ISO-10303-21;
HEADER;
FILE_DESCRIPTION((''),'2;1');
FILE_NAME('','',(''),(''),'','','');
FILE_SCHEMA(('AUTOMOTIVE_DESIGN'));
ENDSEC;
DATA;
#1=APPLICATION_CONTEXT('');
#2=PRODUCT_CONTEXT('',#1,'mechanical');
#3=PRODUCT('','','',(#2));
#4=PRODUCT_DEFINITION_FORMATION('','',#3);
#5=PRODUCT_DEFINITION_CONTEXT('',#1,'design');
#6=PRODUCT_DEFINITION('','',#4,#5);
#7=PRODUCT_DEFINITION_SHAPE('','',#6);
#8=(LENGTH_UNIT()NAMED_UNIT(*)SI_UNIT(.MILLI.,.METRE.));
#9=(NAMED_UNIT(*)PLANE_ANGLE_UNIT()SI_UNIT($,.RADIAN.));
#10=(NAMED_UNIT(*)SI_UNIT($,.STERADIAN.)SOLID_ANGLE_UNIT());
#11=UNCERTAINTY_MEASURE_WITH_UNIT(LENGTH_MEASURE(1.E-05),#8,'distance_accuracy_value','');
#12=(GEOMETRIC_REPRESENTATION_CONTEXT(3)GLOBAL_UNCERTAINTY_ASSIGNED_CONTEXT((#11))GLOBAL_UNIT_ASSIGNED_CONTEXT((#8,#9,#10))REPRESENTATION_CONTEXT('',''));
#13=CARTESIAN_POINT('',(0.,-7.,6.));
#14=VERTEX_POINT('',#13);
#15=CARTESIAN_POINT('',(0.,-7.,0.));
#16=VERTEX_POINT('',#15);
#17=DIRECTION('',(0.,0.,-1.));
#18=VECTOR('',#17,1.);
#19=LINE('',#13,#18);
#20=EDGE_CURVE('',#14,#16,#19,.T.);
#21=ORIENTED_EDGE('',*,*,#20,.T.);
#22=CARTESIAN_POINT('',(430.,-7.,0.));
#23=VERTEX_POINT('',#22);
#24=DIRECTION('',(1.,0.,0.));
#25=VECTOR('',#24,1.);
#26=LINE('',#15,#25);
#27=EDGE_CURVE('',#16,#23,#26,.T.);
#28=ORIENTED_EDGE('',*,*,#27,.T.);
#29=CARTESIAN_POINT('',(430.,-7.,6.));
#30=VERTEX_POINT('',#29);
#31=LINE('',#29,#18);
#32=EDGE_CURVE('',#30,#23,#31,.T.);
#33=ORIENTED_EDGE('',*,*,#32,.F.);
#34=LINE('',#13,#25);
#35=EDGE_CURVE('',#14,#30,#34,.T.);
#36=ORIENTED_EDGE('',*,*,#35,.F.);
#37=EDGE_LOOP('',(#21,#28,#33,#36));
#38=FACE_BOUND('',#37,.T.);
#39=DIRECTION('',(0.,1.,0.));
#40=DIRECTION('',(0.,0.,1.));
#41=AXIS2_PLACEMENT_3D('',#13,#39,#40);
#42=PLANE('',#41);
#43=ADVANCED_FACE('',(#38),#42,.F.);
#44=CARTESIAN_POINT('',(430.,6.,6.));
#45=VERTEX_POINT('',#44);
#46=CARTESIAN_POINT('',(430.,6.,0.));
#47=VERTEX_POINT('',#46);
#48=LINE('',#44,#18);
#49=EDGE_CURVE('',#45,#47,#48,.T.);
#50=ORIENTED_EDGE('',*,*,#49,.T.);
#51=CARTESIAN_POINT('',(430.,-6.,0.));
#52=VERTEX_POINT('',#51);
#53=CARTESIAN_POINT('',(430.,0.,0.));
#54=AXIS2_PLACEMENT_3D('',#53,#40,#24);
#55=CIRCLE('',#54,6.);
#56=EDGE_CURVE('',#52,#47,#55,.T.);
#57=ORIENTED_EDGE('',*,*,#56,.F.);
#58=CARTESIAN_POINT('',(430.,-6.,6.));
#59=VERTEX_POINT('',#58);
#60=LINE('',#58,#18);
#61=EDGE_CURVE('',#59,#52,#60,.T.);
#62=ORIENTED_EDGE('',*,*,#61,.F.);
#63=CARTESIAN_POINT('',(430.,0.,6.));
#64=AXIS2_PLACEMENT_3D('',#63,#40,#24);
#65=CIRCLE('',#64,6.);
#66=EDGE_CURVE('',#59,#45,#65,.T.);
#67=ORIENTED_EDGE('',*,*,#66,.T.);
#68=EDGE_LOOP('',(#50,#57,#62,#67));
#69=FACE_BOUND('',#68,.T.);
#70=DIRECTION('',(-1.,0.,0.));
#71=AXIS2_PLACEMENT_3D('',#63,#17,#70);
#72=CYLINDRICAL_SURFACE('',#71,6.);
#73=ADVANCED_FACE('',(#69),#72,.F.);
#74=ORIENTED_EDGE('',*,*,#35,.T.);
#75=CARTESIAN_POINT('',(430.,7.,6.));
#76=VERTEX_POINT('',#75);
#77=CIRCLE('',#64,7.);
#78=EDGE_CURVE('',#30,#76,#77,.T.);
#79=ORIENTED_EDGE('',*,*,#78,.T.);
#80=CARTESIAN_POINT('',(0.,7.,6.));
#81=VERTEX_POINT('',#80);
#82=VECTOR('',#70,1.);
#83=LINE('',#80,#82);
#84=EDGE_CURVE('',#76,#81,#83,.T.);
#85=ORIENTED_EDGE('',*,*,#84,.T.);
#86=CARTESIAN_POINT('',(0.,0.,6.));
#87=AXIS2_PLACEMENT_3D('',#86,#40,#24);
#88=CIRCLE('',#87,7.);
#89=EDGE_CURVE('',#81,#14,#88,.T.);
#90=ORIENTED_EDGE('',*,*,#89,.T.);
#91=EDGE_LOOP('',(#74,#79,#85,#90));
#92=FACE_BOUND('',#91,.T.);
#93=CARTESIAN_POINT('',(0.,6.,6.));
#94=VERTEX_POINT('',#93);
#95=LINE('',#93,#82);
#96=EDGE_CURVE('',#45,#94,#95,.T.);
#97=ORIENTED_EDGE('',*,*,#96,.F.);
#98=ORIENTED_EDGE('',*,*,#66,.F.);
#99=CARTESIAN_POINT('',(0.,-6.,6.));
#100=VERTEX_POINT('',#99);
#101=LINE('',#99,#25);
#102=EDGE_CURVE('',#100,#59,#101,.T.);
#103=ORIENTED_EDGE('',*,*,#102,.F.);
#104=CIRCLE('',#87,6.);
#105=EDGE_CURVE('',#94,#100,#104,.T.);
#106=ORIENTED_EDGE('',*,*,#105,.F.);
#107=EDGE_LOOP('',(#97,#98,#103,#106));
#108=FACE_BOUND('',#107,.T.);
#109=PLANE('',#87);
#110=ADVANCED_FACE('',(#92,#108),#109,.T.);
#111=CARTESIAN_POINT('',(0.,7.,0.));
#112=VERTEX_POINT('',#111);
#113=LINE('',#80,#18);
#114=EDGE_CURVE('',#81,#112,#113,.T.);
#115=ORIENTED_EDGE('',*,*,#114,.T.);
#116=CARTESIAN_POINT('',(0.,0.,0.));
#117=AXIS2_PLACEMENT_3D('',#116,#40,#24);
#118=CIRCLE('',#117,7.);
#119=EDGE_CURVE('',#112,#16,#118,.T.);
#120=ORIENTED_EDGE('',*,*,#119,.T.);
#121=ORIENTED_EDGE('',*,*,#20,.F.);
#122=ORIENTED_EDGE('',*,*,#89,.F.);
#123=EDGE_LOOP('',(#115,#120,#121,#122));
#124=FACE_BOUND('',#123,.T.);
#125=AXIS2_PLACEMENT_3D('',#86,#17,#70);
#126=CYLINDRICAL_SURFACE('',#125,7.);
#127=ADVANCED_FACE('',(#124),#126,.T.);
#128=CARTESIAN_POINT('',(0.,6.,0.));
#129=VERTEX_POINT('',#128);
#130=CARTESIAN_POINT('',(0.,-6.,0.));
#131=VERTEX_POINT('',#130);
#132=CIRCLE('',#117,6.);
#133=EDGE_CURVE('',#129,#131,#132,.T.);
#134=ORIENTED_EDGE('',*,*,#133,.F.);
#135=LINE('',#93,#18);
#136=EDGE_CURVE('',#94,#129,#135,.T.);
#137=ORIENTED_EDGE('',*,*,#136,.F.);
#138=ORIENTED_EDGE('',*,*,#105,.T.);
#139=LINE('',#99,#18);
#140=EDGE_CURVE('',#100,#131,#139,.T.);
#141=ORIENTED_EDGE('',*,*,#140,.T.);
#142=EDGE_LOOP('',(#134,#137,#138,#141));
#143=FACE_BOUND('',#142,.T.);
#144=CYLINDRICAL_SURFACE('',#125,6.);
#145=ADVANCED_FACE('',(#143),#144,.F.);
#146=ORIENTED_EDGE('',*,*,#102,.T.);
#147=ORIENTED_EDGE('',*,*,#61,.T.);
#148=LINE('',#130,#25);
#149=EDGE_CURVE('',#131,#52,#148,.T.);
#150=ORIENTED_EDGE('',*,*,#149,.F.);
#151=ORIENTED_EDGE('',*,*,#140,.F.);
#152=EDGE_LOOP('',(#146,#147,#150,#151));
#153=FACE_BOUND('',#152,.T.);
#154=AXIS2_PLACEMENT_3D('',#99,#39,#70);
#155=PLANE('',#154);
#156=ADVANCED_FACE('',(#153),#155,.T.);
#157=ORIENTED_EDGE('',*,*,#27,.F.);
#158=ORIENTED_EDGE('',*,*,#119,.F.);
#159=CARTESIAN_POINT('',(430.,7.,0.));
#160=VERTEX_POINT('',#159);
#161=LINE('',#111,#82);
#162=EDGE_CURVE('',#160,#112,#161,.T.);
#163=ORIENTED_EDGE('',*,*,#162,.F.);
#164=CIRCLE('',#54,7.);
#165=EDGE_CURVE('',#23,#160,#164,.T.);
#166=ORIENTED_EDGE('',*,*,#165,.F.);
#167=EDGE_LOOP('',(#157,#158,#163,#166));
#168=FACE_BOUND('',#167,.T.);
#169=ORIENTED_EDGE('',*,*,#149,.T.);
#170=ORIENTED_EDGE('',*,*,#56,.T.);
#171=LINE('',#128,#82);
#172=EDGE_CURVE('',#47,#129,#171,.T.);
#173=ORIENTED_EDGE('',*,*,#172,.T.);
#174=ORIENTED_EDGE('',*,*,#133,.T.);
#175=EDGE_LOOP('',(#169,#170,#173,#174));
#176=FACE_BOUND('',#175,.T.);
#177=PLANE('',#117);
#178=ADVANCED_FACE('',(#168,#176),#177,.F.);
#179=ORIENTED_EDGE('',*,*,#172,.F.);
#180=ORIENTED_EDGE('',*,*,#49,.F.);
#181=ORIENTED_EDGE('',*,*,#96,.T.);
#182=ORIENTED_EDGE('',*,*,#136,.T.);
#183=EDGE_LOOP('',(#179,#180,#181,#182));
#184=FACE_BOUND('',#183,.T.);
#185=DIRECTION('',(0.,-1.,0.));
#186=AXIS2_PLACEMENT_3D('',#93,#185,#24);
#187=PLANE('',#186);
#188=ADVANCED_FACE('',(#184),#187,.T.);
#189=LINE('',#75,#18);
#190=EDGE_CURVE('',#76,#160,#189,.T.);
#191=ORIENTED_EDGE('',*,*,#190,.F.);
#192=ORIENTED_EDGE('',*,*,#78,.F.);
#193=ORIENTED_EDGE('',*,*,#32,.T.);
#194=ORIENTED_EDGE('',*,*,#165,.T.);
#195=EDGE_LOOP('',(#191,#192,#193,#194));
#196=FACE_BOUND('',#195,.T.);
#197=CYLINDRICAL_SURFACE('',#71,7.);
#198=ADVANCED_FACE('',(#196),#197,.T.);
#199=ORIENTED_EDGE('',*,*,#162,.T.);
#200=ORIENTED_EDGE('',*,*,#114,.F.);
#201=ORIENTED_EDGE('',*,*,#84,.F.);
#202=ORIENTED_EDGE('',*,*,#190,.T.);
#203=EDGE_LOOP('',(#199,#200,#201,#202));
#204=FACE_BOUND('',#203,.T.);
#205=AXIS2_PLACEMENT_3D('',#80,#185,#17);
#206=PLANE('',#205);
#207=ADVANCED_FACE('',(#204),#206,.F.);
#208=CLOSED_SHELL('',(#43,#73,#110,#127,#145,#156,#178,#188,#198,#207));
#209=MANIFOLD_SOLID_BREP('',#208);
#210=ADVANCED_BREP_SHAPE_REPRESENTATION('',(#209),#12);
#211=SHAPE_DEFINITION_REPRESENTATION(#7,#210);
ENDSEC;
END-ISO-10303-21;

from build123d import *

# Parameters (mm, degrees)
BOSS_EXTRUDE1_DEPTH = 6


with BuildPart() as part:
    # Sketch1 → Boss-Extrude1 (new body)
    with BuildSketch(Plane.XY):
        with BuildLine():
            Line((0, 7), (430, 7))
            ThreePointArc((430, 7), (437, 0), (430, -7))
            Line((430, -7), (0, -7))
            ThreePointArc((0, -7), (-7, 0), (0, 7))
        make_face()
        with BuildLine():
            Line((0, 6), (430, 6))
            ThreePointArc((430, 6), (436, 0), (430, -6))
            Line((430, -6), (0, -6))
            ThreePointArc((0, -6), (-6, 0), (0, 6))
        make_face(mode=Mode.SUBTRACT)
    extrude(amount=BOSS_EXTRUDE1_DEPTH)


solid = part.part
